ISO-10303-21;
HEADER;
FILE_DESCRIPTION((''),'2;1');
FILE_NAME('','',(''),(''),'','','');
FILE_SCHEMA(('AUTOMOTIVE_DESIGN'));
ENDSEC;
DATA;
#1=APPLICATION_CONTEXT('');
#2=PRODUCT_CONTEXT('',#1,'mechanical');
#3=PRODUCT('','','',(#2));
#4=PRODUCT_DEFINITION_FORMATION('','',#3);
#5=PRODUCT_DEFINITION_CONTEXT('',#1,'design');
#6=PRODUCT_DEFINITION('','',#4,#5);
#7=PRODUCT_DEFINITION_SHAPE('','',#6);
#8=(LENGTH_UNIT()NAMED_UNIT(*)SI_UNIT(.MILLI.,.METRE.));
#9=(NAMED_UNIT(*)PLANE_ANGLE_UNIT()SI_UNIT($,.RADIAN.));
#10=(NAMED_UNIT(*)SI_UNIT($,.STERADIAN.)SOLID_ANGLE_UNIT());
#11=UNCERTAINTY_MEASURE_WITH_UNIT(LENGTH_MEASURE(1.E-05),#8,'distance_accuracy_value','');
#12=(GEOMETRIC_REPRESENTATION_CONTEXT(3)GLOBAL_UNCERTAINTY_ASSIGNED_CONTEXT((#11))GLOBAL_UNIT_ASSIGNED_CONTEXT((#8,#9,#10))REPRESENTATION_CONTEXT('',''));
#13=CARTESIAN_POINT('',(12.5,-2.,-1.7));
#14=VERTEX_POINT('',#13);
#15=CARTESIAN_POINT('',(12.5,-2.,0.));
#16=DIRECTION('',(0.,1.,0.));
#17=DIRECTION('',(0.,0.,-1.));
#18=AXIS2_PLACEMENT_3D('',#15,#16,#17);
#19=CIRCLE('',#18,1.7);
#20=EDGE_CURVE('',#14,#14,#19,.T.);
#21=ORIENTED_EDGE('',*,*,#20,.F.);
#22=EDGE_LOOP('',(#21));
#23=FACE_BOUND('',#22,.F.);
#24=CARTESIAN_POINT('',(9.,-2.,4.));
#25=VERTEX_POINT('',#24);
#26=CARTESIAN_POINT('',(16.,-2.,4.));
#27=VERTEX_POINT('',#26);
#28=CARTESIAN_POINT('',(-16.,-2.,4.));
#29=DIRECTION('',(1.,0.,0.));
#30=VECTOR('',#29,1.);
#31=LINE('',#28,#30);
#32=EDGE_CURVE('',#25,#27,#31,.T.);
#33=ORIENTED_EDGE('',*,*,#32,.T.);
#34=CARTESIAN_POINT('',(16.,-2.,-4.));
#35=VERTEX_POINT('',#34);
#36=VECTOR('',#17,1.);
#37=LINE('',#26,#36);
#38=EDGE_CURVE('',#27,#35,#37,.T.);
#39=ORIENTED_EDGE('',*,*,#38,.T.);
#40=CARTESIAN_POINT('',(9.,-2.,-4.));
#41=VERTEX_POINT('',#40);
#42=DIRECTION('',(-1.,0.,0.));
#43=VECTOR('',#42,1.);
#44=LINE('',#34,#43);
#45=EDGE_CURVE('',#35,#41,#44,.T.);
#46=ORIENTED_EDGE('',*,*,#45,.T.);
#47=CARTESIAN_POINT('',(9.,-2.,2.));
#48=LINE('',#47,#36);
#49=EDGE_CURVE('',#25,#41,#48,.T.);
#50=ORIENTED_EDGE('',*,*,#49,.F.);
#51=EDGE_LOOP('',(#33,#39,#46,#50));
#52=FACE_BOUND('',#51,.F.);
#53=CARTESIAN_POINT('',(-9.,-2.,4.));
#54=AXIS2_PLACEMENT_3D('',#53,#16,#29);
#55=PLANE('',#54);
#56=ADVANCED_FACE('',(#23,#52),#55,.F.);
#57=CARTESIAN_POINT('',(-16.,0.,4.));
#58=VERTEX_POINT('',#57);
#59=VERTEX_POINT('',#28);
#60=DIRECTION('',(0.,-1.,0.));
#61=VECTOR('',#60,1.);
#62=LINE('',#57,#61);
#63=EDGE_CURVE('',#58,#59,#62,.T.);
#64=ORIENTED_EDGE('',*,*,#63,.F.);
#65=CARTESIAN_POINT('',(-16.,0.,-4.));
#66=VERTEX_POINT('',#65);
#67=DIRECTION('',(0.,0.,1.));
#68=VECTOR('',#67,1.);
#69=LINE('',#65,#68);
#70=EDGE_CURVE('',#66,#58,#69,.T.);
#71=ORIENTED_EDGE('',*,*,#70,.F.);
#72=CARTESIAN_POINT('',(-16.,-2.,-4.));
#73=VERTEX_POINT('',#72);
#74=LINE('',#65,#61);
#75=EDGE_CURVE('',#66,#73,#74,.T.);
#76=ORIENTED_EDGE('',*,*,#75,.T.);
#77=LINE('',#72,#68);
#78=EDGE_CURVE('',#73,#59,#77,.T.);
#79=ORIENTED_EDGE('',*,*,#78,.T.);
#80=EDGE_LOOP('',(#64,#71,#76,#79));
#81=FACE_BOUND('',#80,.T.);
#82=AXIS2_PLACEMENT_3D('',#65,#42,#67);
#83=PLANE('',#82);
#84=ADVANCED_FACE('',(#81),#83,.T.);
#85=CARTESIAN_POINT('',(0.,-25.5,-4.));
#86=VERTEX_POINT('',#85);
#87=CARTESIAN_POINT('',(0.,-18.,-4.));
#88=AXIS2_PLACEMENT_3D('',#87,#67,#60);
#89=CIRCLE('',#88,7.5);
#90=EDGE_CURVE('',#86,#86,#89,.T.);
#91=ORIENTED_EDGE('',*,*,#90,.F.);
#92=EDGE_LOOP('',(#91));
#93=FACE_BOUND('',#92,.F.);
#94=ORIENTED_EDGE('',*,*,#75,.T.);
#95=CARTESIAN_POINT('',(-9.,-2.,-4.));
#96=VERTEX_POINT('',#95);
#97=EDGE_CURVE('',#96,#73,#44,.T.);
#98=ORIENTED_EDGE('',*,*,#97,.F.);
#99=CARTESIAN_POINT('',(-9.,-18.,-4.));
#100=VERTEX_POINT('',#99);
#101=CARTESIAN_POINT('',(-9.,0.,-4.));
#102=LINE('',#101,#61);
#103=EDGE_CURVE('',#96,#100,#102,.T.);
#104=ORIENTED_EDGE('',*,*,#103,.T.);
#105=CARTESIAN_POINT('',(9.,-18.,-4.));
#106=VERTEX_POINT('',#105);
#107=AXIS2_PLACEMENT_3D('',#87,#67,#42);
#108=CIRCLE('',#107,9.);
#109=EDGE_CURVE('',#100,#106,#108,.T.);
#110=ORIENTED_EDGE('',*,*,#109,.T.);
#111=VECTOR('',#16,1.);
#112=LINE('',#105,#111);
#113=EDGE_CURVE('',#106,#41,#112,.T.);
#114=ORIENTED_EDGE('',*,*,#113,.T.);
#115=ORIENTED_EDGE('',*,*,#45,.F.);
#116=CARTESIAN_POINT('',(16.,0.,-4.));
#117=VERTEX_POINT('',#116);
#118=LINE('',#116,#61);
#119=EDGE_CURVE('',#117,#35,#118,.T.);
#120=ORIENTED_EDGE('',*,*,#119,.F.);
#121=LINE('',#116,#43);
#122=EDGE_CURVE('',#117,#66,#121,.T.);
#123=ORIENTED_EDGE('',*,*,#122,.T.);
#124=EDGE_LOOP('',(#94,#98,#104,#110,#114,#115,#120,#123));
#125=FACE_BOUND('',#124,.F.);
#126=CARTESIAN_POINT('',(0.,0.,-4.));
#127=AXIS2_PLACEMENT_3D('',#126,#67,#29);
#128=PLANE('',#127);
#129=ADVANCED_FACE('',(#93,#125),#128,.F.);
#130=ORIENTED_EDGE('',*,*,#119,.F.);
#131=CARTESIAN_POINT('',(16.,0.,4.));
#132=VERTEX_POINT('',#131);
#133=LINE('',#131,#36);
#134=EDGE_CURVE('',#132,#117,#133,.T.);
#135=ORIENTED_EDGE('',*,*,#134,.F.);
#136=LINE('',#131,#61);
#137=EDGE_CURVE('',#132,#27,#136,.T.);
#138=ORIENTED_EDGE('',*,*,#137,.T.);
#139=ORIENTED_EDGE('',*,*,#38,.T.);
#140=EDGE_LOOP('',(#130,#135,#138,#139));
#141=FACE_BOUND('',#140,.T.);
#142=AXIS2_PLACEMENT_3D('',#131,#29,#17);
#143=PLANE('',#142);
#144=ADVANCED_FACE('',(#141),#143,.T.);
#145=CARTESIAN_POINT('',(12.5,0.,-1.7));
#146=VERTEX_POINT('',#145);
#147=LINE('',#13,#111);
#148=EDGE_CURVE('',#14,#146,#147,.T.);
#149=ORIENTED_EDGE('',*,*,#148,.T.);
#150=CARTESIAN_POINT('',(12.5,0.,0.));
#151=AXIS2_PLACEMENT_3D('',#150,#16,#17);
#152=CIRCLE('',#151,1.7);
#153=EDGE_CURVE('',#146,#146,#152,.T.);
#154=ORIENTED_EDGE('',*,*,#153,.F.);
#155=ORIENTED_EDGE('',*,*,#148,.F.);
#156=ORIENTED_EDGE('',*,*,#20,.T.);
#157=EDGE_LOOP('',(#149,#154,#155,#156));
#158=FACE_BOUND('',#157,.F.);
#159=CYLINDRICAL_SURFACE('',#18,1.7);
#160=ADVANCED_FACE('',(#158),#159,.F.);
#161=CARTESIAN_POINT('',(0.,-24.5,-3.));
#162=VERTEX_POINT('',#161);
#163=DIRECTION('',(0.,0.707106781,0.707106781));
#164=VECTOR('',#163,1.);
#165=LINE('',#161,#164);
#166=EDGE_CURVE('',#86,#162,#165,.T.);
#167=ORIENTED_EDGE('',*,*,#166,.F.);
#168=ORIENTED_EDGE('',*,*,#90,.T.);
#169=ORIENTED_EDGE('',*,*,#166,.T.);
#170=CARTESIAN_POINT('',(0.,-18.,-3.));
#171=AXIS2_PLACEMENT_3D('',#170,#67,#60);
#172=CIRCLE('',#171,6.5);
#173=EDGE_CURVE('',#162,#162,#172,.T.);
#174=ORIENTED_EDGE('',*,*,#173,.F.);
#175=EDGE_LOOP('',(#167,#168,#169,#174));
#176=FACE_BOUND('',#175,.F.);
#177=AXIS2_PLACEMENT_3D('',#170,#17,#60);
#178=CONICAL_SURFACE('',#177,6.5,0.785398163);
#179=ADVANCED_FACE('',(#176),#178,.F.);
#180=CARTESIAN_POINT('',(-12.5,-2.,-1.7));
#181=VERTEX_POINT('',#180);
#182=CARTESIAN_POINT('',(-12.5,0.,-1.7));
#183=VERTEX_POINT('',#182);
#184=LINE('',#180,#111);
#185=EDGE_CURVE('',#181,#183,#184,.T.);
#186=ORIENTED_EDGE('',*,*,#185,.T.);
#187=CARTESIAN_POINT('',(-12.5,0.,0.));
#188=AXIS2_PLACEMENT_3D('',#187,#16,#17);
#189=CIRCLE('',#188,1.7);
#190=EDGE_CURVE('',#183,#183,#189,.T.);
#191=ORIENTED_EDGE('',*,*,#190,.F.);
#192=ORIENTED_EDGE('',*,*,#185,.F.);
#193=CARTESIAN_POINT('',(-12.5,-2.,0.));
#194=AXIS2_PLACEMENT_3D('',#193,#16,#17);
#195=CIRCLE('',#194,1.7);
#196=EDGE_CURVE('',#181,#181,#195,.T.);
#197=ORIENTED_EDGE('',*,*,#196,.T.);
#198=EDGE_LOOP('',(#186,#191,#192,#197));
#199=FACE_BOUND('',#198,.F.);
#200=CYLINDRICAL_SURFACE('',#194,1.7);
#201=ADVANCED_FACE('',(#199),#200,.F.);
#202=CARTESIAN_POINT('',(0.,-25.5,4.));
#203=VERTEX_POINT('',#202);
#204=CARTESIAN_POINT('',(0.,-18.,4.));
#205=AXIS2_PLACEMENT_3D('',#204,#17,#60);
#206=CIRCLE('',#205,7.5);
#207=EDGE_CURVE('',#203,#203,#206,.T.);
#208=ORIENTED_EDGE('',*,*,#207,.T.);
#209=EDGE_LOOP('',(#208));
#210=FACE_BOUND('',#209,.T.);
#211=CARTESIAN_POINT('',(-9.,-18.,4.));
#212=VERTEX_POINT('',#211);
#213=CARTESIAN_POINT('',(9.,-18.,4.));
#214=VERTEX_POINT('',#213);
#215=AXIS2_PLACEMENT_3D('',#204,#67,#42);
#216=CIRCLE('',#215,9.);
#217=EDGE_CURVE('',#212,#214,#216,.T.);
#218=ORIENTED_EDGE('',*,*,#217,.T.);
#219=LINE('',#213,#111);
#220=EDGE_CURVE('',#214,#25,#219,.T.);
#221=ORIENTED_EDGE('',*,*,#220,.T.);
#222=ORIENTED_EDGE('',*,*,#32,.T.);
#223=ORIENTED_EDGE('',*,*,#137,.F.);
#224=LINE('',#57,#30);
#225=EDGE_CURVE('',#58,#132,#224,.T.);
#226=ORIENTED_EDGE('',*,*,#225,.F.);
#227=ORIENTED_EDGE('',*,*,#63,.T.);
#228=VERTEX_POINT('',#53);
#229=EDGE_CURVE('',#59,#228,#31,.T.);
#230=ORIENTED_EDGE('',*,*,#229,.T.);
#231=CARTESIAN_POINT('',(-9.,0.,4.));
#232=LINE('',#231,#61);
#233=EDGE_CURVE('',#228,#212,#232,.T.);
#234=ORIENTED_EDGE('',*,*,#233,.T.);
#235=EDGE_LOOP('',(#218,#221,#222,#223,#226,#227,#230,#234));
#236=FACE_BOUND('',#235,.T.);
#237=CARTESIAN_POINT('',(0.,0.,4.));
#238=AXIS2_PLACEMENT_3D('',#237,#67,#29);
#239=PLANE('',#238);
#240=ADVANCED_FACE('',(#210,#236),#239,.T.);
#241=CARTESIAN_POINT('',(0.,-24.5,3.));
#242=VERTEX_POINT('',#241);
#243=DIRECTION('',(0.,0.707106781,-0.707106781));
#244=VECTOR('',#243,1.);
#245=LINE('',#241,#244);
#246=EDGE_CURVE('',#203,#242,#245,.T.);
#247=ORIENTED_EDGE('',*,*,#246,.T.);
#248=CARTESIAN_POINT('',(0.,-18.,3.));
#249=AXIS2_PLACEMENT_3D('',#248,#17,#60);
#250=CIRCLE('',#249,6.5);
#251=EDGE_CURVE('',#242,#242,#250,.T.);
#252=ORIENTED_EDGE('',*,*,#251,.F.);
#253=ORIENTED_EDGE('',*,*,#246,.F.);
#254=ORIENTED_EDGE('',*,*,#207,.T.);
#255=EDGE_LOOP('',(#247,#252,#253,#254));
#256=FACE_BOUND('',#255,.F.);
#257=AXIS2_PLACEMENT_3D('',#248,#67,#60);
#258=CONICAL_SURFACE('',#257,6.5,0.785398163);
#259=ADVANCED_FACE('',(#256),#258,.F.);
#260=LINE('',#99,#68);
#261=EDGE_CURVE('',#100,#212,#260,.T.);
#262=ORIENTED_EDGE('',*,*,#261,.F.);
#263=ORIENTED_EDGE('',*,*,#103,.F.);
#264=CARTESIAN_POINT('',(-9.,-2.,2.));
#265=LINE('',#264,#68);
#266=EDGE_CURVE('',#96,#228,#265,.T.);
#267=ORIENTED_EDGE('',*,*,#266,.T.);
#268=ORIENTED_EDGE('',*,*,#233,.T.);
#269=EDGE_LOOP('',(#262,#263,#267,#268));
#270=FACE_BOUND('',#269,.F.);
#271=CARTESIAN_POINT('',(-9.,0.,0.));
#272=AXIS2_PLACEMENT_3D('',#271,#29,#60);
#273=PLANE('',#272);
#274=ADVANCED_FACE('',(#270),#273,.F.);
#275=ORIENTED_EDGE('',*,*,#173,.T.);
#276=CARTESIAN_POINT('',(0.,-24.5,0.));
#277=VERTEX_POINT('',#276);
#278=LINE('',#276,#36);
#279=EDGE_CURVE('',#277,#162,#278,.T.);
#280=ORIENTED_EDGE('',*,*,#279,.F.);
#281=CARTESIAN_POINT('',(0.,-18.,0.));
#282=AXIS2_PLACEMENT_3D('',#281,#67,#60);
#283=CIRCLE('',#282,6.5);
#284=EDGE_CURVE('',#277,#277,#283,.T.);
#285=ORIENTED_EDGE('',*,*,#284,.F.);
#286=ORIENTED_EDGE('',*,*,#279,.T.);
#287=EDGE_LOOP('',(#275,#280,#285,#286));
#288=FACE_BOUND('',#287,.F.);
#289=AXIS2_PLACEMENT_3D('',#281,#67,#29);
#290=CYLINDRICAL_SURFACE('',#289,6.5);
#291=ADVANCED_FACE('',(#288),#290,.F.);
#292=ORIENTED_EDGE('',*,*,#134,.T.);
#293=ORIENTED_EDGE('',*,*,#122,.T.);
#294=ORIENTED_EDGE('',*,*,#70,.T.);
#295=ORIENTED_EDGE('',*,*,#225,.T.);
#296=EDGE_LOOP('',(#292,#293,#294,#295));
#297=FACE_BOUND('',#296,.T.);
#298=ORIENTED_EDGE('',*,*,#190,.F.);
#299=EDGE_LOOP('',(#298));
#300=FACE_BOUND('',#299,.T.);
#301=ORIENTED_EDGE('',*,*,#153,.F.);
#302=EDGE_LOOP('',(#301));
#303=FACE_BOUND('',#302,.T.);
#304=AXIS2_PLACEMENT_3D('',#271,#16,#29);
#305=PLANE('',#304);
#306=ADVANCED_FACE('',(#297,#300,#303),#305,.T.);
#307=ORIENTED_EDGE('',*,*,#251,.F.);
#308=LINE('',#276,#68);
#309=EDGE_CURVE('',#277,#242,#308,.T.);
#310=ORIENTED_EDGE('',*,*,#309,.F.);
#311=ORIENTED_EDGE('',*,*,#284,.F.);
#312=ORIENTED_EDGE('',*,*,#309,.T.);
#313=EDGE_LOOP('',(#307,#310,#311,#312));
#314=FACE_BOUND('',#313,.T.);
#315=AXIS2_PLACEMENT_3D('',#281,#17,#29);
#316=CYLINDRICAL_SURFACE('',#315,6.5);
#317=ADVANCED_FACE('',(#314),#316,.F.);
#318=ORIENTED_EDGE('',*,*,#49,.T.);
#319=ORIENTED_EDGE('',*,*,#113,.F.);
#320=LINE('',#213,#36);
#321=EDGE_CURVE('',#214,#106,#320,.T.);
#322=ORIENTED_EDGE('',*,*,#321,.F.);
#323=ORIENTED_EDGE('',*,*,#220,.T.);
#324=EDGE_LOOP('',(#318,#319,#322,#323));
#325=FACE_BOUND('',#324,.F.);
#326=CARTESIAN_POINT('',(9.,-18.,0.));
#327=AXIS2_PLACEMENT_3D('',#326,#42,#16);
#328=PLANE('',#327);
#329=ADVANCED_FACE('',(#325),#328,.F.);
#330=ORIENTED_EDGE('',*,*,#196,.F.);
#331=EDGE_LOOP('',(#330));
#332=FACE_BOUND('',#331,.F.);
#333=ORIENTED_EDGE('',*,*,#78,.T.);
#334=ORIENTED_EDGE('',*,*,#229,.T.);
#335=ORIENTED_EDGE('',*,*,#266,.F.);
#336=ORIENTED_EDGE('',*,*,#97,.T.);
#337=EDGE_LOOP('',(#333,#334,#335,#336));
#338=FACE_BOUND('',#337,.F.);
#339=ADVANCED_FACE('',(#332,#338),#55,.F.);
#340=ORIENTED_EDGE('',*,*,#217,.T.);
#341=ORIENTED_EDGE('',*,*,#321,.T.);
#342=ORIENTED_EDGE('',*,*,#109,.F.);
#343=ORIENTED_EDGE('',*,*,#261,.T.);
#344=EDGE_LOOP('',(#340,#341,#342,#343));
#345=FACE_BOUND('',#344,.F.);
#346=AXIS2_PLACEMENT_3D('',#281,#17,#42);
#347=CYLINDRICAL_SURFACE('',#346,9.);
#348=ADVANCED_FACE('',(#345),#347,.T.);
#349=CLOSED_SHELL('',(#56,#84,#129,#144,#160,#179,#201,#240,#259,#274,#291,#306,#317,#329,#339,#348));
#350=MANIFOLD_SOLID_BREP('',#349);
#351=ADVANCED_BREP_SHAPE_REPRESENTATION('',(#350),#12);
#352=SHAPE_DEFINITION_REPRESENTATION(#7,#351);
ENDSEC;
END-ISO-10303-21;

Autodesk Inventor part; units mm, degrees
ref_plane "YZ Plane" through (0, 0, 0) normal (1, 0, 0) x (0, 1, 0)
ref_plane "XZ Plane" through (0, 0, 0) normal (0, 1, 0) x (-1, 0, 0)
ref_plane "XY Plane" through (0, 0, 0) normal (0, 0, 1) x (1, 0, 0)
sketch "Sketch2" plane through (0, 0, 0) normal (0, 0, 1) x (1, 0, 0)
  line L0 (0, 0) -> (0, -18) construction
  line L1 (-9, 0) -> (-9, -18)
  line L2 (9, -18) -> (9, 0)
  arc A0 (9, 0) -> (-9, 0) centre (0, 0) ccw construction
  arc A1 (-9, -18) -> (9, -18) centre (0, -18) ccw
  arc A2 (6.5, -18) -> (-6.5, -18) centre (0, -18) ccw
  circle A3 centre (0, -18) radius 5 construction
  line L3 (-9, 0) -> (9, 0)
  line L4 (9, -18) -> (6.5, -18)
  arc A4 (-6.5, -18) -> (0, -24.5) centre (0, -18) ccw
  arc A5 (0, -24.5) -> (6.5, -18) centre (0, -18) ccw
  line L5 (-6.5, -18) -> (-9, -18)
  line L6 (6.5, -18) -> (-6.5, -18) construction
  line L7 (9, -18) -> (6.5, -18)
  line L8 (-9, -18) -> (-6.5, -18)
  point P0 (0, -9)
  dimension "d2" = 2.5
  dimension "d3" = 10
  dimension "d4" = 1.5
  dimension "d5" = 18
extrude "Extrusion1" add sketch "Sketch2" along normal mid plane 8 contours L3 L2 L4 A2 L5 L1 | L5 A4 A5 L4 A1
sketch "Sketch3" plane through (-9, 0, 4) normal (0, 1, 0) x (1, 0, 0)
  line L0 (-7, 0) -> (25, 0)
  line L1 (25, 0) -> (25, 8)
  line L2 (25, 8) -> (-7, 8)
  line L3 (-7, 8) -> (-7, 0)
  line L4 (-7, 0) -> (25, 8) construction
  line L5 (25, 0) -> (-7, 8) construction
  line L6 (0, 8) -> (18, 8) projected
  line L7 (0, 8) -> (0, 0) projected
  point P0 (9, 4)
  dimension "d8" = 7
extrude "Extrusion2" add sketch "Sketch3" against normal blind 2
sketch "Sketch4" plane through (-9, -2, 4) normal (0, -1, 0) x (1, 0, 0)
  line L0 (18, -8) -> (0, -8) construction
  line L1 (-7, 0) -> (0, 0) construction
  line L2 (-7, -8) -> (-7, 0) construction
  line L3 (0, 0) -> (18, 0) construction
  line L4 (25, 0) -> (25, -8) construction
  line L5 (25, -8) -> (18, -8) construction
  line L6 (0, -8) -> (0, 0) construction
  line L7 (0, -8) -> (-7, -8) construction
  line L8 (18, 0) -> (25, 0) construction
  line L9 (18, 0) -> (18, -8) construction
  line L10 (0, 0) -> (0, -8) projected
  line L11 (0, 0) -> (-7, 0) projected
  line L12 (-7, 0) -> (-7, -8) projected
  line L13 (-7, -8) -> (0, -8) projected
  line L14 (18, -8) -> (18, 0) projected
  line L15 (18, -8) -> (25, -8) projected
  line L16 (25, -8) -> (25, 0) projected
  line L17 (25, 0) -> (18, 0) projected
  point P0 (-3.5, -4)
  point P1 (21.5, -4)
  point P2 (21.5, 0)
  point P3 (-3.5, 0)
  point P4 (25, -4)
  point P5 (25, -4)
hole "Hole1" at (-12.5, -2, 0) at (12.5, -2, 0) direction (0, 1, 0) diameter 3.4 end through all
chamfer "Chamfer2" distance 1 angle 45 2 edges at (0, -11.5, -4) (0, -11.5, 4)
properties part number "driver gear stopper"
